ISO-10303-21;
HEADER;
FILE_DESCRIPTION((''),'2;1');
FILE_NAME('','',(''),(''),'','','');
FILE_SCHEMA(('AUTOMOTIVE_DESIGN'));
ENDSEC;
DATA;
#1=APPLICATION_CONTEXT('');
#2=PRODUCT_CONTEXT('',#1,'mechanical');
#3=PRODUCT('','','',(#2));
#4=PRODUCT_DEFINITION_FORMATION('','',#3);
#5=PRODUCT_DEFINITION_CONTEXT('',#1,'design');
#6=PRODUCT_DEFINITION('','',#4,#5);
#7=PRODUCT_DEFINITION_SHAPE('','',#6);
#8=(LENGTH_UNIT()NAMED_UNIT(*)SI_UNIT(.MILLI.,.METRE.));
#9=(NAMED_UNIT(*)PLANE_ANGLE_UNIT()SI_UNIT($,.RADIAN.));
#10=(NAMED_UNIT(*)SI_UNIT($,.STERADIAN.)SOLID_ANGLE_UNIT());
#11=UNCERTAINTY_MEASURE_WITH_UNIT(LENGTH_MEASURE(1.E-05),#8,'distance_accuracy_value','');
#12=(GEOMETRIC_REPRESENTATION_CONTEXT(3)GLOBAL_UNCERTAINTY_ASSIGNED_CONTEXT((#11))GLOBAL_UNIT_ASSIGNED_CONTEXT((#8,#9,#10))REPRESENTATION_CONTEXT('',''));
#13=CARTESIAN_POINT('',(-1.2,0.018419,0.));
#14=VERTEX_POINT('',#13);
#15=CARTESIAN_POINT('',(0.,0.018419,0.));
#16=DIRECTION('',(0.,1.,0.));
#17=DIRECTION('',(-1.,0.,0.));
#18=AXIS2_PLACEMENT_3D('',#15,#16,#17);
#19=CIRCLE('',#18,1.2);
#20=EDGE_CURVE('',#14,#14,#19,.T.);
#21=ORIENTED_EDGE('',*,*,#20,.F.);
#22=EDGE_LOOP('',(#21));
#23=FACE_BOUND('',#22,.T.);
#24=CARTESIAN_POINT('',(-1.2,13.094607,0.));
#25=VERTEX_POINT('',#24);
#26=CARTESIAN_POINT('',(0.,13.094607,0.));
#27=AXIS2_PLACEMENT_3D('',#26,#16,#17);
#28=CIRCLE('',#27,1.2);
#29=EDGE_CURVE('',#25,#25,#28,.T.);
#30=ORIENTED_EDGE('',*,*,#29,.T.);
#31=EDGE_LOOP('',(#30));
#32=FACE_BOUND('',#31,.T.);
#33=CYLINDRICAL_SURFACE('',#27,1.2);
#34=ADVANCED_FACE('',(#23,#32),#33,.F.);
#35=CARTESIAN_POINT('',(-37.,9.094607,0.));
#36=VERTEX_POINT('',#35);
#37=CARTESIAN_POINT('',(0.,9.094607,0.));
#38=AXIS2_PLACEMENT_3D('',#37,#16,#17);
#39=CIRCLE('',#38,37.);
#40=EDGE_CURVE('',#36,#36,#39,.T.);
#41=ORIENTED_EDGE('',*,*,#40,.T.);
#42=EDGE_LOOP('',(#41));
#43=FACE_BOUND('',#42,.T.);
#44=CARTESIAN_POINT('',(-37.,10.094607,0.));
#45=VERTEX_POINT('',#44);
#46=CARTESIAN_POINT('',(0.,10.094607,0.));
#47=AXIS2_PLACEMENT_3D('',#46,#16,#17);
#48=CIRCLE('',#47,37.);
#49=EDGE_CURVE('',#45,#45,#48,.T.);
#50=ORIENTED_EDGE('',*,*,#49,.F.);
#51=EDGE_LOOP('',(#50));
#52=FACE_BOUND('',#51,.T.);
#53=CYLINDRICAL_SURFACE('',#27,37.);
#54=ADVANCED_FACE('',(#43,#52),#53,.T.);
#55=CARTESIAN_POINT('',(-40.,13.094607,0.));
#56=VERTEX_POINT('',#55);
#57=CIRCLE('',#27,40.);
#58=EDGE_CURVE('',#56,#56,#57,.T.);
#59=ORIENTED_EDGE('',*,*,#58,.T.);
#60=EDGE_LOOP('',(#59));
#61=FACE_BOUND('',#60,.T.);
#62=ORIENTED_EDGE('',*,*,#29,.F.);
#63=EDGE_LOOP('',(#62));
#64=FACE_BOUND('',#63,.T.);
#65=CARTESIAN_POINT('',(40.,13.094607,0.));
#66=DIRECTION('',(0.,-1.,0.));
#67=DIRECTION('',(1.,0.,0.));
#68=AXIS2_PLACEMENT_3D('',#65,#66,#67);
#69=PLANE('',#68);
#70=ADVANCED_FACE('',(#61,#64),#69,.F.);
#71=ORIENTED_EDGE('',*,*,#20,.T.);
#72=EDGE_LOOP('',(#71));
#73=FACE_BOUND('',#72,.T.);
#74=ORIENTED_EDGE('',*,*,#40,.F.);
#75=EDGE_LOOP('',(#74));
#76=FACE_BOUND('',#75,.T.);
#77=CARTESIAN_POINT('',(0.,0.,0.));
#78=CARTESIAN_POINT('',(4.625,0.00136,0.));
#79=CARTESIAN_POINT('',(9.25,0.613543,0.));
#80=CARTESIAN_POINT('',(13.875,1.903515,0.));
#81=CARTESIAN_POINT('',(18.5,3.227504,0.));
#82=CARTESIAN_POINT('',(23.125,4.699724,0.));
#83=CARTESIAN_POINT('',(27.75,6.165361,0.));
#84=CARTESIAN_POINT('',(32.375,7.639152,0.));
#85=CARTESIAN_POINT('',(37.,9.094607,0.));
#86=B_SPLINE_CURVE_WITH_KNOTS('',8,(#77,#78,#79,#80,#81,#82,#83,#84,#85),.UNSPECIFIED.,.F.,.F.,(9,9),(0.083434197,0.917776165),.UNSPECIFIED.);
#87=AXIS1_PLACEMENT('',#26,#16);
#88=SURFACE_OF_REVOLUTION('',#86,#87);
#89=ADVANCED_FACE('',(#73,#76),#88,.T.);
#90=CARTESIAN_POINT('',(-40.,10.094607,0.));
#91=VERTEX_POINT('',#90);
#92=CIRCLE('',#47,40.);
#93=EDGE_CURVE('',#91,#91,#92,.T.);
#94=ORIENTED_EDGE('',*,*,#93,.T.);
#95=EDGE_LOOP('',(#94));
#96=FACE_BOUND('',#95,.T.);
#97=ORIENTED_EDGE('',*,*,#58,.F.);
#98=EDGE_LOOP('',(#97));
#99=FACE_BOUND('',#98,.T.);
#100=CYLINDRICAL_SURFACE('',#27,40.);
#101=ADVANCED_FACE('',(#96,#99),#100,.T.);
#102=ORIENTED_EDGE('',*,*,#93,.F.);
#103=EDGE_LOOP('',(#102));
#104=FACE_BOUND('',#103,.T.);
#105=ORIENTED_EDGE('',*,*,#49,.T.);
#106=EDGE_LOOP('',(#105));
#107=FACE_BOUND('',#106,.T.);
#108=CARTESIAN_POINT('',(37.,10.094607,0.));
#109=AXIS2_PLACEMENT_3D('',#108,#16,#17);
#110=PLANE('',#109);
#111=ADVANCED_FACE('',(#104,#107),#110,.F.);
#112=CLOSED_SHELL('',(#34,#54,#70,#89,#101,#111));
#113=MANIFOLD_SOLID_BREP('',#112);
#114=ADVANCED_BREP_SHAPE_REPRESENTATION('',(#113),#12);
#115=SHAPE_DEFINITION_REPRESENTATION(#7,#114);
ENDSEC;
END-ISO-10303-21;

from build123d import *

# Parameters (mm, degrees)
SKETCH5_R          = 1.2
CUT_EXTRUDE1_DEPTH = 59.064349905


with BuildPart() as part:
    # Sketch3 → Revolve4 (revolve)
    with BuildSketch(Plane.XY, mode=Mode.PRIVATE) as revolve4_sk:
        with BuildLine():
            Line((1.2, 13.094606802), (1.2, 8.094606802))
            Line((1.2, 8.094606802), (0, 8.094606802))
            Line((0, 8.094606802), (0, 0))
            add(Edge.make_bspline(
                [(0, 0), (4.625, 0.001359631), (9.25, 0.613543178), (13.875, 1.903514856), (18.5, 3.227503621), (23.125, 4.699723597), (27.75, 6.165361426), (32.375, 7.639151601), (37, 9.094606802)],
                knots=[0.083434197, 0.083434197, 0.083434197, 0.083434197, 0.083434197, 0.083434197, 0.083434197, 0.083434197, 0.083434197, 0.917776165, 0.917776165, 0.917776165, 0.917776165, 0.917776165, 0.917776165, 0.917776165, 0.917776165, 0.917776165], degree=8))
            Line((37, 9.094606802), (37, 10.094606802))
            Line((37, 10.094606802), (40, 10.094606802))
            Line((40, 10.094606802), (40, 13.094606802))
            Line((40, 13.094606802), (1.2, 13.094606802))
        make_face()
    revolve(revolve4_sk.sketch.rotate(Axis((0, 13.094606802, 0), (0, -1, 0)), 180), axis=Axis((0, 13.094606802, 0), (0, -1, 0)))

    # Sketch5 → Cut-Extrude1 (cut, through all)
    with BuildSketch(Plane(origin=(0, 13.094606802, 0), x_dir=(1, 0, 0), z_dir=(0, 1, 0))):
        with Locations(Location((0, 0, 0), (0, 0, 180))):
            Circle(SKETCH5_R)
    extrude(amount=-CUT_EXTRUDE1_DEPTH, mode=Mode.SUBTRACT)


solid = part.part
